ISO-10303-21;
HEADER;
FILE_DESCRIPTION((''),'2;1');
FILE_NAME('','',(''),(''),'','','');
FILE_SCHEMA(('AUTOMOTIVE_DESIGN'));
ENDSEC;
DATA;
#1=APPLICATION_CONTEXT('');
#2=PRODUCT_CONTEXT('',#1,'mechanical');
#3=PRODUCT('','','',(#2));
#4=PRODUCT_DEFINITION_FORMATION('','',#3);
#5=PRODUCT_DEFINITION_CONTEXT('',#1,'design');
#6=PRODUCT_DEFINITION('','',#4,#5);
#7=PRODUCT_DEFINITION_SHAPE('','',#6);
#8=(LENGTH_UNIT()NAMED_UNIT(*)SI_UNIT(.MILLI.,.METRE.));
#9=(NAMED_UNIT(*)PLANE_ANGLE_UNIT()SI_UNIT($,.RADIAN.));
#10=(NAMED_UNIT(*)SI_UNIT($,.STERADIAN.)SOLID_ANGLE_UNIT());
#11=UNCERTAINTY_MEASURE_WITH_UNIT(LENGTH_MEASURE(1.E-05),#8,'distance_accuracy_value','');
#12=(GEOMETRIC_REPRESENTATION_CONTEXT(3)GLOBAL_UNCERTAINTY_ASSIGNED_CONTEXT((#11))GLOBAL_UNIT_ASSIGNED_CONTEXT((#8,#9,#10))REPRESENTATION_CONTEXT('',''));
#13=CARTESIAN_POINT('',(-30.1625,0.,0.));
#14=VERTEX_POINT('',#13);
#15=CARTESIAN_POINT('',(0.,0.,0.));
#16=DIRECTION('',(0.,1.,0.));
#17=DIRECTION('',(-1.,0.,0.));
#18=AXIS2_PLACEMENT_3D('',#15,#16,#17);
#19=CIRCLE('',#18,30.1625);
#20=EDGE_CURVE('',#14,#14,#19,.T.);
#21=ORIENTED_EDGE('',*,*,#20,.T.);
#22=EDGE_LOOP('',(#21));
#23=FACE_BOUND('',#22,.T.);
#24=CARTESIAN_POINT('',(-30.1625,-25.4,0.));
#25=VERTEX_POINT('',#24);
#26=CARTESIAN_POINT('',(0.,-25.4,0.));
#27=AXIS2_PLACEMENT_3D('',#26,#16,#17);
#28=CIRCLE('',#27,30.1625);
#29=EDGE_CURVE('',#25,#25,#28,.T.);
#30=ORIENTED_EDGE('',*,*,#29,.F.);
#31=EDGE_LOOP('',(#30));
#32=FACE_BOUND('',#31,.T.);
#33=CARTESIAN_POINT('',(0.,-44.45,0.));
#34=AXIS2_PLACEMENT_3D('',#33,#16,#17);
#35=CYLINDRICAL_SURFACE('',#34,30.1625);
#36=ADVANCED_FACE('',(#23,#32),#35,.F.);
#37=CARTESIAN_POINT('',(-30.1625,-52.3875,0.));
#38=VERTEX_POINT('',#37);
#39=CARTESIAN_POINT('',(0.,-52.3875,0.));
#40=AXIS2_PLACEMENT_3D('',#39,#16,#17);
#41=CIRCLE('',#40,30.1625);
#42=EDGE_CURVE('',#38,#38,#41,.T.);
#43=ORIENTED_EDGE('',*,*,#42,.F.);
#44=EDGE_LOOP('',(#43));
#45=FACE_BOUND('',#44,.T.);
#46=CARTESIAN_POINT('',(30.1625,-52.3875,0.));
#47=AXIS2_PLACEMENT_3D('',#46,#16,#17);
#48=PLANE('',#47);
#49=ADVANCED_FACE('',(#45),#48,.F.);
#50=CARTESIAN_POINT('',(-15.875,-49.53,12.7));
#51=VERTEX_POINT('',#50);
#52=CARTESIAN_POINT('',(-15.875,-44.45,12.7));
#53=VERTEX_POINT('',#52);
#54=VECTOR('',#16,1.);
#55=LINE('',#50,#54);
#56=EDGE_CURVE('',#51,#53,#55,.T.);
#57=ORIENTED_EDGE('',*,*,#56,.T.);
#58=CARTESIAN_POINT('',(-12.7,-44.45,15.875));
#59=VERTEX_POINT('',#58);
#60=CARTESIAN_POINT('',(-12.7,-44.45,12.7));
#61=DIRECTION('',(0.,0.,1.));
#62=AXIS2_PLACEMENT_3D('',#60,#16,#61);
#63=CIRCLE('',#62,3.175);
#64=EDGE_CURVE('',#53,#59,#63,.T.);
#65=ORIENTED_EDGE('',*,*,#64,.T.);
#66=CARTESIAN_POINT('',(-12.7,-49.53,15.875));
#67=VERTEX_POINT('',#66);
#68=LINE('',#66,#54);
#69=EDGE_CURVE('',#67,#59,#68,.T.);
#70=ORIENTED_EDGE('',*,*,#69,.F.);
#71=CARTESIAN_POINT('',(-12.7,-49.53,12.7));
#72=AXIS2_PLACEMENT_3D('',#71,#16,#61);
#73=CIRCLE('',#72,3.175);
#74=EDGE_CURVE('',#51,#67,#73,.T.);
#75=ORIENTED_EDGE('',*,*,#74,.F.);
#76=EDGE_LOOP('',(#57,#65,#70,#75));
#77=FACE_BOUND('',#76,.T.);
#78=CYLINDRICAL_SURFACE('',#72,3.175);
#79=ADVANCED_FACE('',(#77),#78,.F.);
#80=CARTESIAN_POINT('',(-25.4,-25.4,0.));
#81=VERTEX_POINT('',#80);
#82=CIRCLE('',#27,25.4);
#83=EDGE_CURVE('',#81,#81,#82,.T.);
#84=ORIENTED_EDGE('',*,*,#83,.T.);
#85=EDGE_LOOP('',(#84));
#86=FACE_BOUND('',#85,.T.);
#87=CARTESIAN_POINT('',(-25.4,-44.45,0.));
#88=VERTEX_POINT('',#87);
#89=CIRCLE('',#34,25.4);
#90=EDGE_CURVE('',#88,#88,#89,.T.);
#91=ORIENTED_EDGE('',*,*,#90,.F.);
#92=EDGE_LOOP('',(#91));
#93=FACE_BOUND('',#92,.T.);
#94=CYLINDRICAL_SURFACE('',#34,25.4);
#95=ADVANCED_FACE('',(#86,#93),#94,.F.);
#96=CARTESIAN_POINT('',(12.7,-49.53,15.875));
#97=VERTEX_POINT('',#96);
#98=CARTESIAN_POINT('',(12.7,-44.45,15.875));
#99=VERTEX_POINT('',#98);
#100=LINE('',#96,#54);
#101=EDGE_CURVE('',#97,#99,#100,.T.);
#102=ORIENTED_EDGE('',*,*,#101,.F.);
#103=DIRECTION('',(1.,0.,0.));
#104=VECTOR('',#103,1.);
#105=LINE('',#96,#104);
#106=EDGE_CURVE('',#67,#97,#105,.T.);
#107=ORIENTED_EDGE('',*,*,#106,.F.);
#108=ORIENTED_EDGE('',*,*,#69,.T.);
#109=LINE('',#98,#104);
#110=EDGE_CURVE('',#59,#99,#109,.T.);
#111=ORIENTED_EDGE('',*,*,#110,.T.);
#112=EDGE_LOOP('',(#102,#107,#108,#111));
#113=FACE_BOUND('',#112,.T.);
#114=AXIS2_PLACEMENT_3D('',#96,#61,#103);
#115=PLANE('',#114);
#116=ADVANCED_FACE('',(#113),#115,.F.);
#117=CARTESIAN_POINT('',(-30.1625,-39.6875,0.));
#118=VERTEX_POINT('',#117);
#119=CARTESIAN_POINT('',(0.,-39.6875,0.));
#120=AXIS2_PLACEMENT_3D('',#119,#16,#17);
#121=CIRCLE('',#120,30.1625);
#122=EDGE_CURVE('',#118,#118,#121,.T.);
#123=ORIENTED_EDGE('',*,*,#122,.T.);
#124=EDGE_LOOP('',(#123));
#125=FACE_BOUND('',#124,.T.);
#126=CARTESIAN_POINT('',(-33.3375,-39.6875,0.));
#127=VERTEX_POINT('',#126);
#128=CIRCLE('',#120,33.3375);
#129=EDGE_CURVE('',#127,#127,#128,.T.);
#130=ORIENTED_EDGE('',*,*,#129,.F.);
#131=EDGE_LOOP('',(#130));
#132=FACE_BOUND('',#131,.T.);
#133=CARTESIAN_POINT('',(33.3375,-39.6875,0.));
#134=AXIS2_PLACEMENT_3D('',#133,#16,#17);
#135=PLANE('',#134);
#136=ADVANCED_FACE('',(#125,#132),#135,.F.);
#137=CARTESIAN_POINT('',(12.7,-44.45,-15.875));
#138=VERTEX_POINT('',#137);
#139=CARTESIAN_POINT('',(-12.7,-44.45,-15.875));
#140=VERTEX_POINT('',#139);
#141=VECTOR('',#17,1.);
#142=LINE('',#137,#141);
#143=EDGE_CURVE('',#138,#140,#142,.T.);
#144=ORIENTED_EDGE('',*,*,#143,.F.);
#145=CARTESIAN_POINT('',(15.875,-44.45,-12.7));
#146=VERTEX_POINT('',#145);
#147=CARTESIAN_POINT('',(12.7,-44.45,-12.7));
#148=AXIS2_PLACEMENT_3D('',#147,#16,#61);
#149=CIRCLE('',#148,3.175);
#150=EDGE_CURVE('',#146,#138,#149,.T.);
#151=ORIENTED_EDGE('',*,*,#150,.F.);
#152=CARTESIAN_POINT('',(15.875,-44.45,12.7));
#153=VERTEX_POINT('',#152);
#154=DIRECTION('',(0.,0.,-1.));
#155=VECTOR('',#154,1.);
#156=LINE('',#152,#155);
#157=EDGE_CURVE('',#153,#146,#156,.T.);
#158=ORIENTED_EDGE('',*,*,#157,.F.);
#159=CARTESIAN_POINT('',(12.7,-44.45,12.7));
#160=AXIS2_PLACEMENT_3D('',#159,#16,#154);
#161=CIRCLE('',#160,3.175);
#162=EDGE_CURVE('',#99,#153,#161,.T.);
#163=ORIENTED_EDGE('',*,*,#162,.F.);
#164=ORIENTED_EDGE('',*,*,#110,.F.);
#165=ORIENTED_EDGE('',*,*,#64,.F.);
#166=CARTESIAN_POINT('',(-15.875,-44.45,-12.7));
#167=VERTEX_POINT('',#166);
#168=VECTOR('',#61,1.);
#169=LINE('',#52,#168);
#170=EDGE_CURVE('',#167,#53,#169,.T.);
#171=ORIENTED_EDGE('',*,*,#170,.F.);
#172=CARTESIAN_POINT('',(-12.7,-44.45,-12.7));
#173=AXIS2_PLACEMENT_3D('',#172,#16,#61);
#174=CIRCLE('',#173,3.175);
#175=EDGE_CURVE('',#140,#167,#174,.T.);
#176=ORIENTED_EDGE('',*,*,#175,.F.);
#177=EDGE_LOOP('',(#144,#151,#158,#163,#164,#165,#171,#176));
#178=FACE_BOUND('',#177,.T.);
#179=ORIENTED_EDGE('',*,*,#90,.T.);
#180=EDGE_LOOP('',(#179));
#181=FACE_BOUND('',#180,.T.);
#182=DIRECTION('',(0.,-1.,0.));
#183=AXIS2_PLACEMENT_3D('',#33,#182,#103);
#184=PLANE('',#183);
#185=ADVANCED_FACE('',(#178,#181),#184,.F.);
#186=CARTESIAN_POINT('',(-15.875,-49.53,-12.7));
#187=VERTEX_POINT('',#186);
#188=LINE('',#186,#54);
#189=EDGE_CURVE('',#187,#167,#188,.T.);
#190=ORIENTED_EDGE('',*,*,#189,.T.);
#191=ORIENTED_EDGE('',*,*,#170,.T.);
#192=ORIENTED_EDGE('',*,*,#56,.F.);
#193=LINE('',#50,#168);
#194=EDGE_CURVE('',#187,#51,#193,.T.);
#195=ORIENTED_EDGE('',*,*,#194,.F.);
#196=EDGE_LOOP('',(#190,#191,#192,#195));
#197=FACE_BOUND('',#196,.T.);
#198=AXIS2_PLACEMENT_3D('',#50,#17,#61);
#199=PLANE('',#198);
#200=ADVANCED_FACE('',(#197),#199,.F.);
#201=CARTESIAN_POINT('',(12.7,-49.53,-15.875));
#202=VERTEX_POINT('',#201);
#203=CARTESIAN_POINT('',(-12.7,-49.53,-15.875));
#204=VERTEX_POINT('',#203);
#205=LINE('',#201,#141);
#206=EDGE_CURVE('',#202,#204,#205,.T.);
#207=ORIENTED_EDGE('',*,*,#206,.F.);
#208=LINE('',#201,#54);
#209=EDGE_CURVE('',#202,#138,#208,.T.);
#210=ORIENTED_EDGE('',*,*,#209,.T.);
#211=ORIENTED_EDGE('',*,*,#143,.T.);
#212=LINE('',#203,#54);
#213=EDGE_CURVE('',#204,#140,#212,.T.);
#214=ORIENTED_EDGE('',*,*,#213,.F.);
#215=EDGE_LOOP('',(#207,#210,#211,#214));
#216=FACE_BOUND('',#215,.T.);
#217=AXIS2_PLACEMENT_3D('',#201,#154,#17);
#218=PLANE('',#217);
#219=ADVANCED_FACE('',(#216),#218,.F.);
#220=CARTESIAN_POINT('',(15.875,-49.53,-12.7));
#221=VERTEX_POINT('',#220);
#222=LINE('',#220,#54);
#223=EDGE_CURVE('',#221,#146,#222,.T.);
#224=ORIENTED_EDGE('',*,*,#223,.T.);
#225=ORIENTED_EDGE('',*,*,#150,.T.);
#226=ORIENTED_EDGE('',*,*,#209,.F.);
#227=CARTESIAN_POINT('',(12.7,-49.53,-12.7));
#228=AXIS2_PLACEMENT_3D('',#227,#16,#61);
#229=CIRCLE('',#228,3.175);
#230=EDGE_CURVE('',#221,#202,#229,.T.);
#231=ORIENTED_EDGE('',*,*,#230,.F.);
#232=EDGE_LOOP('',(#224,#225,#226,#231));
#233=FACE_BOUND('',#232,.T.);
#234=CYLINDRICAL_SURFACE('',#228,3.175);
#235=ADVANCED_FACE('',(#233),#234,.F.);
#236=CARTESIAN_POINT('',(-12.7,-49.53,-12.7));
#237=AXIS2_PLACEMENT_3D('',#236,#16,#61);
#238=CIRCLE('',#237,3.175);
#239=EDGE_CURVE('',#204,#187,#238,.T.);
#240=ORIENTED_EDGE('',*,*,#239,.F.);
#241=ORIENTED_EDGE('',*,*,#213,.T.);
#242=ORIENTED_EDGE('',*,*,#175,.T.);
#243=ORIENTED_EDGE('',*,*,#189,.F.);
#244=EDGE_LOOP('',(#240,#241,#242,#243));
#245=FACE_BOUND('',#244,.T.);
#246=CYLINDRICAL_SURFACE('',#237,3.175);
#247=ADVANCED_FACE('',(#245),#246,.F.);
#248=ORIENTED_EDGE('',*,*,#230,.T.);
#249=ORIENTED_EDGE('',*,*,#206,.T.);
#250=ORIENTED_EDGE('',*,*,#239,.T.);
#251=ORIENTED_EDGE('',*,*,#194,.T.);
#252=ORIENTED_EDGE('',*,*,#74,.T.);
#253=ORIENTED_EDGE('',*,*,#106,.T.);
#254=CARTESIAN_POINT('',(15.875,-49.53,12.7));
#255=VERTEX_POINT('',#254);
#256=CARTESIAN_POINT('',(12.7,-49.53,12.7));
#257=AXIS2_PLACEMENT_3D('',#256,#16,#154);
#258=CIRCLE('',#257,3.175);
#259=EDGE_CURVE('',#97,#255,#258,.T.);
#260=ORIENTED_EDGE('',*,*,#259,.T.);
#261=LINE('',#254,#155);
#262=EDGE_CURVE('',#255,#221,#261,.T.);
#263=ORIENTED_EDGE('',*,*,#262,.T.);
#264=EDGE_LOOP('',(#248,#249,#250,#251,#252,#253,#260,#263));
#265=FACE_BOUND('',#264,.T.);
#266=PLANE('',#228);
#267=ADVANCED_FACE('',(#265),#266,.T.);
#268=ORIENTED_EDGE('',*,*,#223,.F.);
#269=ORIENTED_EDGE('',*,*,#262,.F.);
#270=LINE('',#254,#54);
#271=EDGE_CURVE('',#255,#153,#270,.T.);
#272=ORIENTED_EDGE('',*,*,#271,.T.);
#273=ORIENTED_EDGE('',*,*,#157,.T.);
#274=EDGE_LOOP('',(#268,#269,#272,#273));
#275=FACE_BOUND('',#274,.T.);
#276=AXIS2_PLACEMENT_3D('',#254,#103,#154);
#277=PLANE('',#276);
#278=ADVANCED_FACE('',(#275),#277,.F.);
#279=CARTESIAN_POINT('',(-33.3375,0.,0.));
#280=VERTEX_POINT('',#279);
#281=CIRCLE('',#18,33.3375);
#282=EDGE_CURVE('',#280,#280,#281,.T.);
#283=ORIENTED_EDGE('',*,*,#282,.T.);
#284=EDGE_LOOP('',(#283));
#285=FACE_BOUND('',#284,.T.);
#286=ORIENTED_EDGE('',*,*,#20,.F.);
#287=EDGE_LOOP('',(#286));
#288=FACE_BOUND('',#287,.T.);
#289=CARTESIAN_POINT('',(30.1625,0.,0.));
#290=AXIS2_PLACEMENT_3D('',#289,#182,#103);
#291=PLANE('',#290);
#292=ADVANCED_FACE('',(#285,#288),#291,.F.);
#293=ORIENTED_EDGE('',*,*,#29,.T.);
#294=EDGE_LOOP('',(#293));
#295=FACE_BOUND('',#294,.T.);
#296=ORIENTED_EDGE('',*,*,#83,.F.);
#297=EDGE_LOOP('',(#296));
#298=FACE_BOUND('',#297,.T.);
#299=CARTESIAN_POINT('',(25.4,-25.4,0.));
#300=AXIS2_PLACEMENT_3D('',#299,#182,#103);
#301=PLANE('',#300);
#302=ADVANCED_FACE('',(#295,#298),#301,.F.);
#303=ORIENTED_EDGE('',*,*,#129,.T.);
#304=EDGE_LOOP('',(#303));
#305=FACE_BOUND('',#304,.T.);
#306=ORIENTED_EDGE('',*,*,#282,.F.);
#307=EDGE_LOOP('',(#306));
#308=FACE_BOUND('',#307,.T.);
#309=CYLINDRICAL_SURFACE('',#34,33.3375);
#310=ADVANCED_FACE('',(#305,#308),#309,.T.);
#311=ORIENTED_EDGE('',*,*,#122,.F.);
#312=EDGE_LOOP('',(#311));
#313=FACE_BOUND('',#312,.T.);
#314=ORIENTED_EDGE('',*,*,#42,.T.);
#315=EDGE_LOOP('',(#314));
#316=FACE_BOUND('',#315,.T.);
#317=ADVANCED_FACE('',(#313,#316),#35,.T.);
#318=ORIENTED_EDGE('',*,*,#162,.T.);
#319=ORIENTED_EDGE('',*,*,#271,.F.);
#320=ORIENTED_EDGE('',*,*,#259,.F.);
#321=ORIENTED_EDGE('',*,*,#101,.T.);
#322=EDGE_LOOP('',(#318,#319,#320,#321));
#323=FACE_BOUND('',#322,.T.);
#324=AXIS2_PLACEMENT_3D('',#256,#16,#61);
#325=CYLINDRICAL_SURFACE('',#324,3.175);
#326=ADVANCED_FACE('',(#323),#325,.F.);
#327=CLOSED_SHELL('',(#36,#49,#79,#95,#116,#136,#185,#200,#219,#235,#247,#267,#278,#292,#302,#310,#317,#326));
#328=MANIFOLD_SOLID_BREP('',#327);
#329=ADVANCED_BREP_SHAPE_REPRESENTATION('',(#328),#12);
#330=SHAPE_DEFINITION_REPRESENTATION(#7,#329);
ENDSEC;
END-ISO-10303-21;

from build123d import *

# Parameters (mm, degrees)
CUT_EXTRUDE1_DEPTH = 5.08


with BuildPart() as part:
    # Sketch1 → Revolve1 (revolve)
    with BuildSketch(Plane.XY):
        Polygon((0, -44.45), (25.4, -44.45), (25.4, -25.4), (30.1625, -25.4), (30.1625, 0), (33.3375, 0), (33.3375, -39.6875), (30.1625, -39.6875), (30.1625, -52.3875), (0, -52.3875), align=None)
    revolve(axis=Axis((0, -44.45, 0), (0, -1, 0)))

    # Sketch2 → Cut-Extrude1 (cut)
    with BuildSketch(Plane(origin=(0, -44.45, 0), x_dir=(1, 0, 0), z_dir=(0, 1, 0))):
        with BuildLine():
            Line((12.7, -15.875), (-12.7, -15.875))
            ThreePointArc((-12.7, -15.875), (-14.94506403, -14.94506403), (-15.875, -12.7))
            Line((-15.875, -12.7), (-15.875, 12.7))
            ThreePointArc((-15.875, 12.7), (-14.94506403, 14.94506403), (-12.7, 15.875))
            Line((-12.7, 15.875), (12.7, 15.875))
            ThreePointArc((12.7, 15.875), (14.94506403, 14.94506403), (15.875, 12.7))
            Line((15.875, 12.7), (15.875, -12.7))
            ThreePointArc((15.875, -12.7), (14.94506403, -14.94506403), (12.7, -15.875))
        make_face()
    extrude(amount=-CUT_EXTRUDE1_DEPTH, mode=Mode.SUBTRACT)


solid = part.part
